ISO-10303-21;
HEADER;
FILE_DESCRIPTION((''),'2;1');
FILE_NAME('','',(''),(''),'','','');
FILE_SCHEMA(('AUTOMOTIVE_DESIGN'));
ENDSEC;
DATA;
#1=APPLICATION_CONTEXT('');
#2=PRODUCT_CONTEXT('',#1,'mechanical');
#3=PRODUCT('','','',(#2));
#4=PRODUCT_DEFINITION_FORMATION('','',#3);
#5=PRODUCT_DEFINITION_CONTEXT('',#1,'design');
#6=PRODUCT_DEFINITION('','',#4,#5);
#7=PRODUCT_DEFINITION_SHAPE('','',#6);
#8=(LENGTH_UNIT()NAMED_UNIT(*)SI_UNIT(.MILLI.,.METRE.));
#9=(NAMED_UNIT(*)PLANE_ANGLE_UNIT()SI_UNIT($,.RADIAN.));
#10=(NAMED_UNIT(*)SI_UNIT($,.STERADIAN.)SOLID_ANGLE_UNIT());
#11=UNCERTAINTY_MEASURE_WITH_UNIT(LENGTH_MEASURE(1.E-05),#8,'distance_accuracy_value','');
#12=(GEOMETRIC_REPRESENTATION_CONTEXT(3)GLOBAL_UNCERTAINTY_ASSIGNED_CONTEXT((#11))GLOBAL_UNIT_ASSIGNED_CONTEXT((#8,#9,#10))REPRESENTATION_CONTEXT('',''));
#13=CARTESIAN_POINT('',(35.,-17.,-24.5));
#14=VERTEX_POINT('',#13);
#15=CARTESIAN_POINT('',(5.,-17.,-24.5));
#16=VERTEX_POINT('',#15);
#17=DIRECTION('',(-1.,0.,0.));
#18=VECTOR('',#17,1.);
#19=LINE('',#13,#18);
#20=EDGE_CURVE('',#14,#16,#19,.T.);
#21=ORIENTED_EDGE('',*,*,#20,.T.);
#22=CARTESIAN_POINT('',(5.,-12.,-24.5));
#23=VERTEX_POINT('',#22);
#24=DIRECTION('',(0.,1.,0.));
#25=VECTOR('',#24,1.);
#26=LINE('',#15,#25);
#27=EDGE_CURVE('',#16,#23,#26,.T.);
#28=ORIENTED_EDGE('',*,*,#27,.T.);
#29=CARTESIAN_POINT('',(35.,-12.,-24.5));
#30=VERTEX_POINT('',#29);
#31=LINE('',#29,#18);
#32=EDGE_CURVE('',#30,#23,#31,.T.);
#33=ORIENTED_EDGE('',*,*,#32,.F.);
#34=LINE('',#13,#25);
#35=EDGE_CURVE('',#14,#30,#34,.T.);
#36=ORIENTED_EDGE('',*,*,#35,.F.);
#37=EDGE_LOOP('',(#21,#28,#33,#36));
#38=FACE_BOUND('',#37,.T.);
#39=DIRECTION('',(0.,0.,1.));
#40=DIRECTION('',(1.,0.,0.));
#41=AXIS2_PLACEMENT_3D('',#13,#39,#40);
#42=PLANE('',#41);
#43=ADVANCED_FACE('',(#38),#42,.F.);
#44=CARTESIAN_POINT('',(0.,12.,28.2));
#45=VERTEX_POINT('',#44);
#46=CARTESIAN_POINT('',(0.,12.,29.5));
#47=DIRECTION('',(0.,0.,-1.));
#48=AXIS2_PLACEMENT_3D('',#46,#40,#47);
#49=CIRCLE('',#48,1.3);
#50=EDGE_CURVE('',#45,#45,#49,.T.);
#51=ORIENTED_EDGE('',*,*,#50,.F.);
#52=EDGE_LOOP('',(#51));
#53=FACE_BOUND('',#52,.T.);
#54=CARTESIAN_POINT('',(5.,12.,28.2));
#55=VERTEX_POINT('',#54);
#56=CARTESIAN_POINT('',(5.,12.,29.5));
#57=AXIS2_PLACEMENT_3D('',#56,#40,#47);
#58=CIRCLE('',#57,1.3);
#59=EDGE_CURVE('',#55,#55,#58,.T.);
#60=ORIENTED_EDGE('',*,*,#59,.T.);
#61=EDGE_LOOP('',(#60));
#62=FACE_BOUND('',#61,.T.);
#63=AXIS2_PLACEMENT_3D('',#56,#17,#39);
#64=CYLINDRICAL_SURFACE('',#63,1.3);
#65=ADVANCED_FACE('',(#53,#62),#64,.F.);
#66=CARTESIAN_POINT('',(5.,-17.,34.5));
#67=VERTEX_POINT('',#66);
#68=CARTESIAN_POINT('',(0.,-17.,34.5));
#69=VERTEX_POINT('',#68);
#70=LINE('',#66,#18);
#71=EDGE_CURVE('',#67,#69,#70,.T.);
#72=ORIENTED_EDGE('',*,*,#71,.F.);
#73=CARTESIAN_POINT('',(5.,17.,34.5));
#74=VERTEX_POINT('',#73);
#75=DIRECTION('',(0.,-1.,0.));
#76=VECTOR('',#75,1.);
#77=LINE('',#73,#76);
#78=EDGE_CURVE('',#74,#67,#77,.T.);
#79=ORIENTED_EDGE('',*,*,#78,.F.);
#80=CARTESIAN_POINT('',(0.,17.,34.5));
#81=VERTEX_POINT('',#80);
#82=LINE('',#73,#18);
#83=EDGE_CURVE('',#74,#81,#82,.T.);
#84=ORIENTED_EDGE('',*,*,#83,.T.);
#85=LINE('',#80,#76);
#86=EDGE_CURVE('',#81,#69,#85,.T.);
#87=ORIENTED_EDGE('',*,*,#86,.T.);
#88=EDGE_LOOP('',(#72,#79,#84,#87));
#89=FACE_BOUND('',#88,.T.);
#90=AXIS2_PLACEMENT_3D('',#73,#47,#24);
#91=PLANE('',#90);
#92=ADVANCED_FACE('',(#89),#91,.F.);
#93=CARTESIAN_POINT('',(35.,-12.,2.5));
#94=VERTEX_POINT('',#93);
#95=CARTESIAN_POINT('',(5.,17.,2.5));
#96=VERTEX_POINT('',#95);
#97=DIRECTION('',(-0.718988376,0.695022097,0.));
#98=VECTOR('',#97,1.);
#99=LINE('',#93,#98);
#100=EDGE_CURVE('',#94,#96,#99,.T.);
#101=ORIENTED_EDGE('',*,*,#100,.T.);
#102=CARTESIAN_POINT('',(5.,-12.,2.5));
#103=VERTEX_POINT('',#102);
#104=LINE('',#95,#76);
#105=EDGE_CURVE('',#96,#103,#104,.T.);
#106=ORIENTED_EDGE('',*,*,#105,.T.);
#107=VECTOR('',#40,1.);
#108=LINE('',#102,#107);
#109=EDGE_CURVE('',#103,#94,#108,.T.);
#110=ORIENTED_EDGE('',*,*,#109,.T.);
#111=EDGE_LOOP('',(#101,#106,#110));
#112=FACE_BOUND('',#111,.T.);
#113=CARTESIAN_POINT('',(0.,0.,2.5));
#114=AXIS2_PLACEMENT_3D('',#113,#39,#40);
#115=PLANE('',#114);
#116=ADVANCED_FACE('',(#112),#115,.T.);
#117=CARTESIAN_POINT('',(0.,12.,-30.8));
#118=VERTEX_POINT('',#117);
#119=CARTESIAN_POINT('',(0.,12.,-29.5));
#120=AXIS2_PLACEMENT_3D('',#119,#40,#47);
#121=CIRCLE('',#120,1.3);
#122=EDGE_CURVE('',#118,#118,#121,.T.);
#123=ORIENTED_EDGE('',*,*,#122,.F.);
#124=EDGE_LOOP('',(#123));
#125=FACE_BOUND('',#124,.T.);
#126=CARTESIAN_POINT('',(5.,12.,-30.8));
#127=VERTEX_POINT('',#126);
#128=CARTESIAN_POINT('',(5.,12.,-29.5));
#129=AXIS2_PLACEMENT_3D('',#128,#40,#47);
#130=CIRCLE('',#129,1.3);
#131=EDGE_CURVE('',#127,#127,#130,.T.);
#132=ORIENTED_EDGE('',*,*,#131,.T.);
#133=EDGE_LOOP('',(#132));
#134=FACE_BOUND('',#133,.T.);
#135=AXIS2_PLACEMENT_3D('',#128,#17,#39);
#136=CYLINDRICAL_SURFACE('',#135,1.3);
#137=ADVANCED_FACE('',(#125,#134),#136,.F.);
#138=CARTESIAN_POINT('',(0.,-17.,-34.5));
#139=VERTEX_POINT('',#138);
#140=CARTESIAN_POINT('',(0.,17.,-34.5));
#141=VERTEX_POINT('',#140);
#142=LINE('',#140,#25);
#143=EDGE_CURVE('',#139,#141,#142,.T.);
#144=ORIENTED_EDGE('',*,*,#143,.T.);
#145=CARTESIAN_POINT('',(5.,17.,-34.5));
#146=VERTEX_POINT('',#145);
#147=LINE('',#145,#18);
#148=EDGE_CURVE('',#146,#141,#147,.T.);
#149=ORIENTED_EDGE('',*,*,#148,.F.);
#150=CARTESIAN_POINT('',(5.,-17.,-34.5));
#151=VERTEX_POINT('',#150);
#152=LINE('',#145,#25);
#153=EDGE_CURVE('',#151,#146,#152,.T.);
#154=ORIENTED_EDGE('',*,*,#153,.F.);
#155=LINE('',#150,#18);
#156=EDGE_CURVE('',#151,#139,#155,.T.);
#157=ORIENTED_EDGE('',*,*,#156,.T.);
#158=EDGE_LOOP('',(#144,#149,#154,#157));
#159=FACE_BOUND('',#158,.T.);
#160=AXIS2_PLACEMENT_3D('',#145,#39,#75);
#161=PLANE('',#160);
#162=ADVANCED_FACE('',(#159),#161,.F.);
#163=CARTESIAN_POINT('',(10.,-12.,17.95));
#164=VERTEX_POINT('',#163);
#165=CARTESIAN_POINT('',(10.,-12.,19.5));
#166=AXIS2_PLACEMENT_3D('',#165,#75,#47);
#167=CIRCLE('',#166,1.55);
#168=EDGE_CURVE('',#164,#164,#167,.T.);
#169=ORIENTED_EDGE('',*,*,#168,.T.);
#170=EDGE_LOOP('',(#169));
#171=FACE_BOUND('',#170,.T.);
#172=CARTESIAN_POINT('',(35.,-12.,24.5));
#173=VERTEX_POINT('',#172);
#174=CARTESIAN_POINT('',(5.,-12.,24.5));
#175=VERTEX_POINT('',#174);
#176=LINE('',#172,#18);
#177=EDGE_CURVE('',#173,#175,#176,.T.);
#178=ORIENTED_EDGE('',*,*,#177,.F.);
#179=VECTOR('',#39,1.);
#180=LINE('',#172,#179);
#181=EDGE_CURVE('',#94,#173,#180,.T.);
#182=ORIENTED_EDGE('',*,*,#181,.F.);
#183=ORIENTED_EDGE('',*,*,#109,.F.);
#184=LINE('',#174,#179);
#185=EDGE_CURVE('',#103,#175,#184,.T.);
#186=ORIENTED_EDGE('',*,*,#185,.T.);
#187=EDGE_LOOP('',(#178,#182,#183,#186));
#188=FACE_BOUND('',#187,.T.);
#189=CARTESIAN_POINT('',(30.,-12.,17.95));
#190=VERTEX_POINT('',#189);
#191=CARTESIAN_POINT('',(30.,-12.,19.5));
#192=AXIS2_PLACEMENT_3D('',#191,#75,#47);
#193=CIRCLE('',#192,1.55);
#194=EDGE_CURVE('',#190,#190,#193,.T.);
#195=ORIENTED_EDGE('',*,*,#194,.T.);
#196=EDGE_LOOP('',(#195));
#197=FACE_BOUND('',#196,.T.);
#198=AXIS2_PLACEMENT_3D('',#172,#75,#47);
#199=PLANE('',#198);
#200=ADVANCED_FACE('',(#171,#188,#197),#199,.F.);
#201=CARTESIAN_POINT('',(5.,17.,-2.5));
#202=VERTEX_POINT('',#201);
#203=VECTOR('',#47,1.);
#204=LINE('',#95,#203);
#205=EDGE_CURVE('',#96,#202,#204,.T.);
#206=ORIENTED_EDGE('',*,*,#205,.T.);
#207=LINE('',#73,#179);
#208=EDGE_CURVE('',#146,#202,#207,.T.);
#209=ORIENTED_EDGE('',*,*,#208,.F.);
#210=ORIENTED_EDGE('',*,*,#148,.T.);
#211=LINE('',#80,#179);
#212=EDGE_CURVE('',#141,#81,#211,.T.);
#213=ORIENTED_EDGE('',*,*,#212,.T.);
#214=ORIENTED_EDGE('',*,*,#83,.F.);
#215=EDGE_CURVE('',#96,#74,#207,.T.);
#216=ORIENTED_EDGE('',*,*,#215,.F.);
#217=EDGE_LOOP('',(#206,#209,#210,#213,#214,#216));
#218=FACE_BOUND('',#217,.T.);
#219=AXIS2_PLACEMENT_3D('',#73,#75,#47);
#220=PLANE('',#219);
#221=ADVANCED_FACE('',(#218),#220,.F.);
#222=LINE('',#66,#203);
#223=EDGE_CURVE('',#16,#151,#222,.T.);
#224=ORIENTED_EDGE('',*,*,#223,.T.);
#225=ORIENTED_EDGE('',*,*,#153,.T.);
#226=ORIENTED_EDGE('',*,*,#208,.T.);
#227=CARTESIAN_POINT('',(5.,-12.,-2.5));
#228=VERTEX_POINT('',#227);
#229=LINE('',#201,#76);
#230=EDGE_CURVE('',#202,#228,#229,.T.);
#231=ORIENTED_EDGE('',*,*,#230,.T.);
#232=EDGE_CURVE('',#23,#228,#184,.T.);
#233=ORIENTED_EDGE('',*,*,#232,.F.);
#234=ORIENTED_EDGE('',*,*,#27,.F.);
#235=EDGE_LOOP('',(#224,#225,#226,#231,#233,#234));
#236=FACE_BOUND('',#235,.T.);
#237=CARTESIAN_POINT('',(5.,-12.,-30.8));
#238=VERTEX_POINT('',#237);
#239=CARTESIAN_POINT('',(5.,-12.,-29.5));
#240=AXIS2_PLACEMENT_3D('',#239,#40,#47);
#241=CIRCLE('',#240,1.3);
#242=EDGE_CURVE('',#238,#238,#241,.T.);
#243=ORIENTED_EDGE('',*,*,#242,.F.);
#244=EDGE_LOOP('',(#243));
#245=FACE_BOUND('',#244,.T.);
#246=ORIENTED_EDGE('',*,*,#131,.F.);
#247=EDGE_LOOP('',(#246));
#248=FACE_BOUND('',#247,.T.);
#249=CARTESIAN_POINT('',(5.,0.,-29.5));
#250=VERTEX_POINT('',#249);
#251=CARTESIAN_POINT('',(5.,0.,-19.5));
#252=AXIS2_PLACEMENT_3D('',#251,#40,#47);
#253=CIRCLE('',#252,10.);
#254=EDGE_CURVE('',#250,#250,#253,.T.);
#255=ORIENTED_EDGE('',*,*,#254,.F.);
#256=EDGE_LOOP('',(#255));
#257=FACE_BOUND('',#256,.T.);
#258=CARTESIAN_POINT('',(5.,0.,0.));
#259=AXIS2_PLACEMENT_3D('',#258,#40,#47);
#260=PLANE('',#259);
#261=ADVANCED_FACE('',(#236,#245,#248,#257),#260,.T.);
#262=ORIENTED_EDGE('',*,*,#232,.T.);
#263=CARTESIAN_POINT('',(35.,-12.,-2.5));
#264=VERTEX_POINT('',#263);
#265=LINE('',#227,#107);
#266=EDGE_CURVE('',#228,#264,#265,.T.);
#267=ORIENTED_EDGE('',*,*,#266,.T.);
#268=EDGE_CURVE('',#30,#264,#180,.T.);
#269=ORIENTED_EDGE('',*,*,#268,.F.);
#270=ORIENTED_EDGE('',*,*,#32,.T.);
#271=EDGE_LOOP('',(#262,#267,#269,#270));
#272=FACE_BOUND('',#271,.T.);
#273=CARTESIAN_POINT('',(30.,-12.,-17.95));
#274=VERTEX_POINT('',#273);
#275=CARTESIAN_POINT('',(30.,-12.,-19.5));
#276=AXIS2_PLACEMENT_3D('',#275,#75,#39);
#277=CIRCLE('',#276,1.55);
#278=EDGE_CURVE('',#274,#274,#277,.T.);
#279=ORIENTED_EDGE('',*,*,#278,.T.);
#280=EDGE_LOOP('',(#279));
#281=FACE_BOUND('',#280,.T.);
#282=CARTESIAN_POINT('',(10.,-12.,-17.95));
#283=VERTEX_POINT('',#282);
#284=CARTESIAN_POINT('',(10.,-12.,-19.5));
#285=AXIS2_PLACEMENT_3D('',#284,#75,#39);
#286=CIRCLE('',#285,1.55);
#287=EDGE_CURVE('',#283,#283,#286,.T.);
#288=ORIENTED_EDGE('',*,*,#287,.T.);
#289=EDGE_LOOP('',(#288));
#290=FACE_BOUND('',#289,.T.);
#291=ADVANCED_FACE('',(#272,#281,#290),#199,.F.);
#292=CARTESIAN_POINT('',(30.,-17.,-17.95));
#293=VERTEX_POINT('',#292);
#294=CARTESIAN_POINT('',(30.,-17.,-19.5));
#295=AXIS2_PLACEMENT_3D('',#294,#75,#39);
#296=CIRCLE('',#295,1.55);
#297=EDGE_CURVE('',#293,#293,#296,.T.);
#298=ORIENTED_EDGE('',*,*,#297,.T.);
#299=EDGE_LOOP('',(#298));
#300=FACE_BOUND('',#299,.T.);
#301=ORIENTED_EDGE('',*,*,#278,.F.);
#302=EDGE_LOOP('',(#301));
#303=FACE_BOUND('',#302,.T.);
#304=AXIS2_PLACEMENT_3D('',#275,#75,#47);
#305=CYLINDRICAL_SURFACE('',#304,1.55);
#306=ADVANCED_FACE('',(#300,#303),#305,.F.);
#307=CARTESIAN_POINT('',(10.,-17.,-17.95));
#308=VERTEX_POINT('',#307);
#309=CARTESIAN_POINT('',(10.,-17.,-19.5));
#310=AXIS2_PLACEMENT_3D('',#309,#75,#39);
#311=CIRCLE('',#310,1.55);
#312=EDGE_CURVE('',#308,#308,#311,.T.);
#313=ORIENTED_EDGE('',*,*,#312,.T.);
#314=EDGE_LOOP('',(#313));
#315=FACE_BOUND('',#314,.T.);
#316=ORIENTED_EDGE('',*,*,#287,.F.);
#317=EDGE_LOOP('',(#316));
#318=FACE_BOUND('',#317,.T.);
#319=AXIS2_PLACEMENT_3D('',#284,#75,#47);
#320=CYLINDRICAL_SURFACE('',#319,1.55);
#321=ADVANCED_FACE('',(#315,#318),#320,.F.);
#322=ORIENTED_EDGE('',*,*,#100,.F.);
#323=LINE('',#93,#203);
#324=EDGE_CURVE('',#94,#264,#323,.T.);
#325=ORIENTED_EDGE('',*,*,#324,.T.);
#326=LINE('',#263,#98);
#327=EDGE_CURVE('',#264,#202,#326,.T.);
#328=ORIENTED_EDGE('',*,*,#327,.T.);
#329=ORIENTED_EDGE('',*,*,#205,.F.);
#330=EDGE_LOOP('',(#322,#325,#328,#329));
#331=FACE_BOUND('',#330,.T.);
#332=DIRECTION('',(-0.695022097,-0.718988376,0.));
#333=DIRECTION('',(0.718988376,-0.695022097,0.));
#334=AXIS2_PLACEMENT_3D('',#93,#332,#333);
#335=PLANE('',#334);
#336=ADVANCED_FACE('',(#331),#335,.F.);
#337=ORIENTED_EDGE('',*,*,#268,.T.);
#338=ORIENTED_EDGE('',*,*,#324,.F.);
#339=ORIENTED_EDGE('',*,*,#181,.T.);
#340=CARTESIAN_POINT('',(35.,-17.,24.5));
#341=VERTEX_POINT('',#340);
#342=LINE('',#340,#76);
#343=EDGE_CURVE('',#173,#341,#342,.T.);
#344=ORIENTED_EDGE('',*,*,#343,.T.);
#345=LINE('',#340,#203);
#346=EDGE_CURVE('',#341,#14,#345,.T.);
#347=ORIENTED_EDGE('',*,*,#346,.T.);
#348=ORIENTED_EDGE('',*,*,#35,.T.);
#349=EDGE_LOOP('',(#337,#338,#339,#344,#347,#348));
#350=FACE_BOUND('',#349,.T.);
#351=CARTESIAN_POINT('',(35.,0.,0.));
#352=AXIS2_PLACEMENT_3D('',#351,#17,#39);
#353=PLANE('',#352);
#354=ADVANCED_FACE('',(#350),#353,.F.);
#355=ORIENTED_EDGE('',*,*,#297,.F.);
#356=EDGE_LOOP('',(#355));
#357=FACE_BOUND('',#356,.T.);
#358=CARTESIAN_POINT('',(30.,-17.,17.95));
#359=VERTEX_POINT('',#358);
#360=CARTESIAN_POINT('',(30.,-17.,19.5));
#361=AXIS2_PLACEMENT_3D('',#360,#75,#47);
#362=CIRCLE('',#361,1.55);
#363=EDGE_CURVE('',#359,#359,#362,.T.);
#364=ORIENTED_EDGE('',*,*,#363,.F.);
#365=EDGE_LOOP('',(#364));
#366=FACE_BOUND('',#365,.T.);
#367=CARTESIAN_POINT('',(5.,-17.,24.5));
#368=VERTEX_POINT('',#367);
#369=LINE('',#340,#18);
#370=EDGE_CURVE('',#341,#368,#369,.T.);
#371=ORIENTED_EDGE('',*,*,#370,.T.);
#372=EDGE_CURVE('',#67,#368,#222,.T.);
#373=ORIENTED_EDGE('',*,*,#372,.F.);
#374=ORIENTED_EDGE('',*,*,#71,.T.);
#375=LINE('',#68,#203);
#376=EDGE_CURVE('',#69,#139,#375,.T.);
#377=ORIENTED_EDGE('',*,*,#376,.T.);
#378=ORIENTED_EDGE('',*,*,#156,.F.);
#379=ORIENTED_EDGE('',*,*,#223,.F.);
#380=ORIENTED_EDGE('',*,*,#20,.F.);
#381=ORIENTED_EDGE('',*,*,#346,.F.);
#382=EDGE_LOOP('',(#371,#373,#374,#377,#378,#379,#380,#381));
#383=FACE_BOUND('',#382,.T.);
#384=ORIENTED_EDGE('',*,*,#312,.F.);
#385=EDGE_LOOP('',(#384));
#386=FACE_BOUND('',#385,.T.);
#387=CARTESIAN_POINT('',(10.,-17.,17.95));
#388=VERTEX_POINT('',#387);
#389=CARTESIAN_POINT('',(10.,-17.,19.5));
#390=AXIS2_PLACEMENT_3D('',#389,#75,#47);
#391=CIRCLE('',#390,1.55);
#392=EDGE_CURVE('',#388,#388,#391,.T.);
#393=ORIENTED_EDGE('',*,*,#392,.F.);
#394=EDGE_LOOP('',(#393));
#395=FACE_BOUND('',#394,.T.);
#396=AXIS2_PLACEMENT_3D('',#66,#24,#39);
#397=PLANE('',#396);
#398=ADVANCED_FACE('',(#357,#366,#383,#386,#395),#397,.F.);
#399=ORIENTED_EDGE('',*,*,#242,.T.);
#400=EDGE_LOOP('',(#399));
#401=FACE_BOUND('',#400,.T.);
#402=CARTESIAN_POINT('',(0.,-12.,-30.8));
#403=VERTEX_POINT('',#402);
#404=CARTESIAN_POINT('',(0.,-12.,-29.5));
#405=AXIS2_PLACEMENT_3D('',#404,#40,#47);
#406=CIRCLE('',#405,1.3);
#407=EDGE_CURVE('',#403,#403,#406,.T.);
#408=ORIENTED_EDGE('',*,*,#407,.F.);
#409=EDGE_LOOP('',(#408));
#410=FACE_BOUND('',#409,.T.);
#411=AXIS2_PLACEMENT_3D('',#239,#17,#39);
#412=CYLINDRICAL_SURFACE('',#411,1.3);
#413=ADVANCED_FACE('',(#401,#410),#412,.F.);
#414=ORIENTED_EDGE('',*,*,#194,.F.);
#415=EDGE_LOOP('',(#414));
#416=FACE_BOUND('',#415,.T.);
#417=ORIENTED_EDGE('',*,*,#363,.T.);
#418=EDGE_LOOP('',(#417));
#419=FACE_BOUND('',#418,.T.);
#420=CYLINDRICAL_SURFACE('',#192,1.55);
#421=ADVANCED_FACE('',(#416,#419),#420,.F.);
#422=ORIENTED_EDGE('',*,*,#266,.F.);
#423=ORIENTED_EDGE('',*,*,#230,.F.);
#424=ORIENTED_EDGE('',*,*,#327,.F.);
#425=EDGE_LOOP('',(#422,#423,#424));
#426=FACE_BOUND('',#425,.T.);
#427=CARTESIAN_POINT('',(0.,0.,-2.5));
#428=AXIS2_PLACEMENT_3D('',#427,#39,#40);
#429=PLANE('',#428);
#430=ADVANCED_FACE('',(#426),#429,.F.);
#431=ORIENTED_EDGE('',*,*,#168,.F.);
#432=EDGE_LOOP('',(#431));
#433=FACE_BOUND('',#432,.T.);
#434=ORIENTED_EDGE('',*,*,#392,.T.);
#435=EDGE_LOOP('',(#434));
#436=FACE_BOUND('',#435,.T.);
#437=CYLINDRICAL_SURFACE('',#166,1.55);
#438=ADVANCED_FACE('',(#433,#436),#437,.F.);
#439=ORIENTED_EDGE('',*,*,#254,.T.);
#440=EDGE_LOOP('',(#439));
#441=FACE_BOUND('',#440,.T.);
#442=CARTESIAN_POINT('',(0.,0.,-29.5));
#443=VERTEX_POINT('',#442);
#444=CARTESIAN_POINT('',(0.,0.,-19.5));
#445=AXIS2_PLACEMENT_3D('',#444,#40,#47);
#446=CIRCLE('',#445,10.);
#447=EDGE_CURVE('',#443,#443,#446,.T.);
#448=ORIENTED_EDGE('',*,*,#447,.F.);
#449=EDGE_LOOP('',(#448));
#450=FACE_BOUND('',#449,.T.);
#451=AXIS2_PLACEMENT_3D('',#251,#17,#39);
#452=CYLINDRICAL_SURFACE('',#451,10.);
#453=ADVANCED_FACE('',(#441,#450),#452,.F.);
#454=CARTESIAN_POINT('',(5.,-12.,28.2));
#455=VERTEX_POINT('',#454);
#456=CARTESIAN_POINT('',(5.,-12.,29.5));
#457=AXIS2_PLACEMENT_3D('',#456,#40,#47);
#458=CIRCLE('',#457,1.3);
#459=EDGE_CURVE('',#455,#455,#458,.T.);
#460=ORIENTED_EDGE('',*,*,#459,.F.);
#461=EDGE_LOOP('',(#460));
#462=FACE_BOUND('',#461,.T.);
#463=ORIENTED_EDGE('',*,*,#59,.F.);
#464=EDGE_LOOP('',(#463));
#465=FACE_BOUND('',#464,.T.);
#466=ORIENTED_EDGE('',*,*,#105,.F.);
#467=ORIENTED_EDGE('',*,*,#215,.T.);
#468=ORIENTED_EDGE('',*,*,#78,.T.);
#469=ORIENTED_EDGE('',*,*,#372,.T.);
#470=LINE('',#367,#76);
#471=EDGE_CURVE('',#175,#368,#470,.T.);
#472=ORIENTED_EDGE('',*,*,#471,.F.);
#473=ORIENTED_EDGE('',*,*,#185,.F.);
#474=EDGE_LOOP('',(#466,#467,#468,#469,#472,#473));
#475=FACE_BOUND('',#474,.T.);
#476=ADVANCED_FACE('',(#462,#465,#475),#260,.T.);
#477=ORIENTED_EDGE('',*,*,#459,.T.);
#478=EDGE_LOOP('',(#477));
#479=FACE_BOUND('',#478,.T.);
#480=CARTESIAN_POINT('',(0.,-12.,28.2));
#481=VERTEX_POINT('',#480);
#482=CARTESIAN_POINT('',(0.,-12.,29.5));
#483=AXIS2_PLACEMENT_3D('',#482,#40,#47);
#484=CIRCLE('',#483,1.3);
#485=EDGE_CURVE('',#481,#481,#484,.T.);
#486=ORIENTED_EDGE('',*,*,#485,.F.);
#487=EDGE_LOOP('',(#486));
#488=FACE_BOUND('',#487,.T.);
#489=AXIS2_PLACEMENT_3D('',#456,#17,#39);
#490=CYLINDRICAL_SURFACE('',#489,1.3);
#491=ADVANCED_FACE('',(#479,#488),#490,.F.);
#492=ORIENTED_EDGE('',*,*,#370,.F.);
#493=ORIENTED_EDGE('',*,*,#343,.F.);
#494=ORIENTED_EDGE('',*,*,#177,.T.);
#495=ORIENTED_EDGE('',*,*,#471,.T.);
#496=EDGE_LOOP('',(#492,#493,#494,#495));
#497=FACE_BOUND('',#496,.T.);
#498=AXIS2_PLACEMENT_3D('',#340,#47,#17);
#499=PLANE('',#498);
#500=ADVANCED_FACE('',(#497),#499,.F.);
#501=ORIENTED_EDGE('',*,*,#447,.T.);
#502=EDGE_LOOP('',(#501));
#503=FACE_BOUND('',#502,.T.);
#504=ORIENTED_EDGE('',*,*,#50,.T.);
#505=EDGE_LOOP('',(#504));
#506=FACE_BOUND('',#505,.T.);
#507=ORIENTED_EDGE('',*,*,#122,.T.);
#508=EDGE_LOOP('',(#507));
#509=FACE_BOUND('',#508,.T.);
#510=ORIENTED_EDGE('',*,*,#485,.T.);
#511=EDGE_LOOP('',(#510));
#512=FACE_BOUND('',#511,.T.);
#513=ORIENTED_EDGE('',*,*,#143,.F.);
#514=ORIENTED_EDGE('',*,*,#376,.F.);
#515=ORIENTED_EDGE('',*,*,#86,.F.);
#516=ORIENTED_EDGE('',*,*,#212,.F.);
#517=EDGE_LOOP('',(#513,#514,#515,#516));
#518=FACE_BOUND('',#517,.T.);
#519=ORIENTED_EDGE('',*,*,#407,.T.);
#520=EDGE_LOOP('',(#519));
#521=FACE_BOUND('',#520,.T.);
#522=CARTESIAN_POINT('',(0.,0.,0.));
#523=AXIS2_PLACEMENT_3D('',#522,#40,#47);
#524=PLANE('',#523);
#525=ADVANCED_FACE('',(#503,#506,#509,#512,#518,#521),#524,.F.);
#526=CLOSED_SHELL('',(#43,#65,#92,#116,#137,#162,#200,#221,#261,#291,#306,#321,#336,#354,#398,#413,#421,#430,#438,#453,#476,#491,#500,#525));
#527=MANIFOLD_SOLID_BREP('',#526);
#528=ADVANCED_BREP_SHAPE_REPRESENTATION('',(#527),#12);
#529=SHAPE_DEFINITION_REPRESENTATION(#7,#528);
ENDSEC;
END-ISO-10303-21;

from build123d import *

# Parameters (mm, degrees)
SKETCH1_W           = 69
SKETCH1_H           = 34
SKETCH1_R           = 1.3
SKETCH1_R_2         = 10
BOSS_EXTRUDE1_DEPTH = 5
SKETCH2_W           = 49
SKETCH2_H           = 5
BOSS_EXTRUDE2_DEPTH = 30
BOSS_EXTRUDE3_DEPTH = 2.5
SKETCH4_R           = 1.55
CUT_EXTRUDE1_DEPTH  = 5


with BuildPart() as part:
    # Sketch1 → Boss-Extrude1 (new body)
    with BuildSketch(Plane(origin=(0, 0, 0), x_dir=(0, 0, -1), z_dir=(1, 0, 0))):
        Rectangle(SKETCH1_W, SKETCH1_H)
        with Locations((-29.5, 12)):
            Circle(SKETCH1_R, mode=Mode.SUBTRACT)
        with Locations((-29.5, -12)):
            Circle(SKETCH1_R, mode=Mode.SUBTRACT)
        with Locations((29.5, 12)):
            Circle(SKETCH1_R, mode=Mode.SUBTRACT)
        with Locations((29.5, -12)):
            Circle(SKETCH1_R, mode=Mode.SUBTRACT)
        with Locations((19.5, 0)):
            Circle(SKETCH1_R_2, mode=Mode.SUBTRACT)
    extrude(amount=BOSS_EXTRUDE1_DEPTH)

    # Sketch2 → Boss-Extrude2 (add)
    with BuildSketch(Plane(origin=(5, 0, 0), x_dir=(0, 0, -1), z_dir=(1, 0, 0))):
        with Locations((0, -14.5)):
            Rectangle(SKETCH2_W, SKETCH2_H)
    extrude(amount=BOSS_EXTRUDE2_DEPTH)

    # Sketch3 → Boss-Extrude3 (add, symmetric)
    with BuildSketch(Plane.XY):
        Polygon((5, -12), (35, -12), (5, 17), align=None)
    extrude(amount=BOSS_EXTRUDE3_DEPTH, both=True)

    # Sketch4 → Cut-Extrude1 (cut)
    with BuildSketch(Plane.XZ.offset(17)):
        with Locations(Location((30, 19.5, 0), (0, 0, 270))):
            Circle(SKETCH4_R)
        with Locations(Location((10, 19.5, 0), (0, 0, 270))):
            Circle(SKETCH4_R)
        with Locations(Location((10, -19.5, 0), (0, 0, 90))):
            Circle(SKETCH4_R)
        with Locations(Location((30, -19.5, 0), (0, 0, 90))):
            Circle(SKETCH4_R)
    extrude(amount=-CUT_EXTRUDE1_DEPTH, mode=Mode.SUBTRACT)


solid = part.part
